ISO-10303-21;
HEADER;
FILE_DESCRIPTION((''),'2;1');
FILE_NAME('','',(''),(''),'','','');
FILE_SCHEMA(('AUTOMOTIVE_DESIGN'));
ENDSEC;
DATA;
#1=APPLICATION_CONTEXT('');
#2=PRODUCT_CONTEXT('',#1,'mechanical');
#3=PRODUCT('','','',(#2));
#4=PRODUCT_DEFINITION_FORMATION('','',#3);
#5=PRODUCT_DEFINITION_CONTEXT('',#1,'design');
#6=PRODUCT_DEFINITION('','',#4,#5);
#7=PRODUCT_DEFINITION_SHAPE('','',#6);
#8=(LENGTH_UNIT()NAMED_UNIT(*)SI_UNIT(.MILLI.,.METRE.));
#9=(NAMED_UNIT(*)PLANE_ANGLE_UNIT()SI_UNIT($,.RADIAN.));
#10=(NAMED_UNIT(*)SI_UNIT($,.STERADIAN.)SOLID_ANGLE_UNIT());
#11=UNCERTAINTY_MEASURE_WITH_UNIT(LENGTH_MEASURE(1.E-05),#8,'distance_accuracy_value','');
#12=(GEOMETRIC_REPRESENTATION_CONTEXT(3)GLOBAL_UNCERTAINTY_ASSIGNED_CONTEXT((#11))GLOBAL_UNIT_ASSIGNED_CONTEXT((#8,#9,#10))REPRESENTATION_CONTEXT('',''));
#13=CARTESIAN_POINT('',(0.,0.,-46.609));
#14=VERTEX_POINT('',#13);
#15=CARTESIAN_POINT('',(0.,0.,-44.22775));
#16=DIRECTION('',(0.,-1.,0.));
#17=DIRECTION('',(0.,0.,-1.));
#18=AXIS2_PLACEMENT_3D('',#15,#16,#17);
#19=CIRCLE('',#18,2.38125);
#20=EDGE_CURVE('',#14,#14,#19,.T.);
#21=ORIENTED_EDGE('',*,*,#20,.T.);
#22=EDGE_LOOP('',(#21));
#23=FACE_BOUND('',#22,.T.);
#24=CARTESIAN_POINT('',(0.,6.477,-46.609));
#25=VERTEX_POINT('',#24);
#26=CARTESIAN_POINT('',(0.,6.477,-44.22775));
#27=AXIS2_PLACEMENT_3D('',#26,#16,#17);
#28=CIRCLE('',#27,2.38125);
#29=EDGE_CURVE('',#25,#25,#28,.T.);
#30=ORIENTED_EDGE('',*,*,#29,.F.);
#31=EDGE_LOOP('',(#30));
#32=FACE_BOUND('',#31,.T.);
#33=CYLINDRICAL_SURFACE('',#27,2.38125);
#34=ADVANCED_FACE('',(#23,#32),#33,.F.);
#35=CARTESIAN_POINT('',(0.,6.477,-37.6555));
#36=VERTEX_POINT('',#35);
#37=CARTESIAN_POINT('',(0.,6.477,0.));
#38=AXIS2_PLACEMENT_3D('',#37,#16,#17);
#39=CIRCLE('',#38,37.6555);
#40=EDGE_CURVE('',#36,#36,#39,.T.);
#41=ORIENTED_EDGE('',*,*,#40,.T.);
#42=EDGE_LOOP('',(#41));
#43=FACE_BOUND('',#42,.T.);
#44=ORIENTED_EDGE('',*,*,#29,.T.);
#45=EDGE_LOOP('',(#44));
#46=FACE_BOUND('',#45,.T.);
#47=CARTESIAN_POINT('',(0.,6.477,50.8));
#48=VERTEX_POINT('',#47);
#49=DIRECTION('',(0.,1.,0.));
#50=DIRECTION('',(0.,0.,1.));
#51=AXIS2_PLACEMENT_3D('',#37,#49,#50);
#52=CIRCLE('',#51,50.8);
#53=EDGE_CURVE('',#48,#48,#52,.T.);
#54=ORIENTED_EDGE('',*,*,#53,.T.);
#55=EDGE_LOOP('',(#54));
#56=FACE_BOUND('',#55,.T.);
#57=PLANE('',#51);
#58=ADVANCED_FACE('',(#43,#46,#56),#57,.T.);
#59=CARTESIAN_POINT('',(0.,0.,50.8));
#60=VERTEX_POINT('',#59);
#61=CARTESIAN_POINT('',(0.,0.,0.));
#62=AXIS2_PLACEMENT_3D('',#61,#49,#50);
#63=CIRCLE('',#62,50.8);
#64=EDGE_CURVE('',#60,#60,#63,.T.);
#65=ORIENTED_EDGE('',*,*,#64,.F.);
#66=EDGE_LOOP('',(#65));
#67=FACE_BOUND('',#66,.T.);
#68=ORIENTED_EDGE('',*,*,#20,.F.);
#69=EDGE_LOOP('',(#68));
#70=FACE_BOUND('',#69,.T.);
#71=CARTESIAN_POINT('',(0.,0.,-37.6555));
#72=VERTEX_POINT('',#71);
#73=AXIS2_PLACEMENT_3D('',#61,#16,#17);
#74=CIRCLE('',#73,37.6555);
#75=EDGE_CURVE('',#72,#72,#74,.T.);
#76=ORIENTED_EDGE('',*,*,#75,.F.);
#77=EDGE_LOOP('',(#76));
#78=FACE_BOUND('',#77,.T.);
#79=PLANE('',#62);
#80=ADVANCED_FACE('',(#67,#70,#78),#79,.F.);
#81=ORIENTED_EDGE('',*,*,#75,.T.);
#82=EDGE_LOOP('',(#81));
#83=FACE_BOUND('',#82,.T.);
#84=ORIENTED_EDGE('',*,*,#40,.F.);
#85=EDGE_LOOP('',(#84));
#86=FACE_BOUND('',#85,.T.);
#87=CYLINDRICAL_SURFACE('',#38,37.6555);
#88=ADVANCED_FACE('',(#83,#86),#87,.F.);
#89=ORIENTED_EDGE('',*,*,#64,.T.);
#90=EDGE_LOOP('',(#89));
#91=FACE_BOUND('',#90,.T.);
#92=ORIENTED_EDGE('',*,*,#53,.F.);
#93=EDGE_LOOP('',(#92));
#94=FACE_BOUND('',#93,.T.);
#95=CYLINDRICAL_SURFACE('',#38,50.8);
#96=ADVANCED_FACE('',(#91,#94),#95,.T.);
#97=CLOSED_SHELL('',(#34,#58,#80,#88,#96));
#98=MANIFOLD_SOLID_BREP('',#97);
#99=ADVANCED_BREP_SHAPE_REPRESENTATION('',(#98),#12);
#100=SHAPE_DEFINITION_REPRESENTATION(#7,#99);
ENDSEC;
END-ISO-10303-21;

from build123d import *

# Parameters (mm, degrees)
SKETCH1_R           = 50.8
BOSS_EXTRUDE1_DEPTH = 6.477
SKETCH3_R           = 37.6555
CUT_EXTRUDE1_DEPTH  = 6.477
SKETCH4_R           = 2.38125
CUT_EXTRUDE2_DEPTH  = 6.477


with BuildPart() as part:
    # Sketch1 → Boss-Extrude1 (new body)
    with BuildSketch(Plane(origin=(0, 0, 0), x_dir=(1, 0, 0), z_dir=(0, 1, 0))):
        with Locations(Location((0, 0, 0), (0, 0, 270))):
            Circle(SKETCH1_R)
    extrude(amount=BOSS_EXTRUDE1_DEPTH)

    # Sketch3 → Cut-Extrude1 (cut)
    with BuildSketch(Plane(origin=(0, 0, 0), x_dir=(-1, 0, 0), z_dir=(0, -1, 0))):
        with Locations(Location((0, 0, 0), (0, 0, 90))):
            Circle(SKETCH3_R)
    extrude(amount=-CUT_EXTRUDE1_DEPTH, mode=Mode.SUBTRACT)

    # Sketch4 → Cut-Extrude2 (cut)
    with BuildSketch(Plane.XZ):
        with Locations(Location((0, -44.22775, 0), (0, 0, 270))):
            Circle(SKETCH4_R)
    extrude(amount=-CUT_EXTRUDE2_DEPTH, mode=Mode.SUBTRACT)


solid = part.part
